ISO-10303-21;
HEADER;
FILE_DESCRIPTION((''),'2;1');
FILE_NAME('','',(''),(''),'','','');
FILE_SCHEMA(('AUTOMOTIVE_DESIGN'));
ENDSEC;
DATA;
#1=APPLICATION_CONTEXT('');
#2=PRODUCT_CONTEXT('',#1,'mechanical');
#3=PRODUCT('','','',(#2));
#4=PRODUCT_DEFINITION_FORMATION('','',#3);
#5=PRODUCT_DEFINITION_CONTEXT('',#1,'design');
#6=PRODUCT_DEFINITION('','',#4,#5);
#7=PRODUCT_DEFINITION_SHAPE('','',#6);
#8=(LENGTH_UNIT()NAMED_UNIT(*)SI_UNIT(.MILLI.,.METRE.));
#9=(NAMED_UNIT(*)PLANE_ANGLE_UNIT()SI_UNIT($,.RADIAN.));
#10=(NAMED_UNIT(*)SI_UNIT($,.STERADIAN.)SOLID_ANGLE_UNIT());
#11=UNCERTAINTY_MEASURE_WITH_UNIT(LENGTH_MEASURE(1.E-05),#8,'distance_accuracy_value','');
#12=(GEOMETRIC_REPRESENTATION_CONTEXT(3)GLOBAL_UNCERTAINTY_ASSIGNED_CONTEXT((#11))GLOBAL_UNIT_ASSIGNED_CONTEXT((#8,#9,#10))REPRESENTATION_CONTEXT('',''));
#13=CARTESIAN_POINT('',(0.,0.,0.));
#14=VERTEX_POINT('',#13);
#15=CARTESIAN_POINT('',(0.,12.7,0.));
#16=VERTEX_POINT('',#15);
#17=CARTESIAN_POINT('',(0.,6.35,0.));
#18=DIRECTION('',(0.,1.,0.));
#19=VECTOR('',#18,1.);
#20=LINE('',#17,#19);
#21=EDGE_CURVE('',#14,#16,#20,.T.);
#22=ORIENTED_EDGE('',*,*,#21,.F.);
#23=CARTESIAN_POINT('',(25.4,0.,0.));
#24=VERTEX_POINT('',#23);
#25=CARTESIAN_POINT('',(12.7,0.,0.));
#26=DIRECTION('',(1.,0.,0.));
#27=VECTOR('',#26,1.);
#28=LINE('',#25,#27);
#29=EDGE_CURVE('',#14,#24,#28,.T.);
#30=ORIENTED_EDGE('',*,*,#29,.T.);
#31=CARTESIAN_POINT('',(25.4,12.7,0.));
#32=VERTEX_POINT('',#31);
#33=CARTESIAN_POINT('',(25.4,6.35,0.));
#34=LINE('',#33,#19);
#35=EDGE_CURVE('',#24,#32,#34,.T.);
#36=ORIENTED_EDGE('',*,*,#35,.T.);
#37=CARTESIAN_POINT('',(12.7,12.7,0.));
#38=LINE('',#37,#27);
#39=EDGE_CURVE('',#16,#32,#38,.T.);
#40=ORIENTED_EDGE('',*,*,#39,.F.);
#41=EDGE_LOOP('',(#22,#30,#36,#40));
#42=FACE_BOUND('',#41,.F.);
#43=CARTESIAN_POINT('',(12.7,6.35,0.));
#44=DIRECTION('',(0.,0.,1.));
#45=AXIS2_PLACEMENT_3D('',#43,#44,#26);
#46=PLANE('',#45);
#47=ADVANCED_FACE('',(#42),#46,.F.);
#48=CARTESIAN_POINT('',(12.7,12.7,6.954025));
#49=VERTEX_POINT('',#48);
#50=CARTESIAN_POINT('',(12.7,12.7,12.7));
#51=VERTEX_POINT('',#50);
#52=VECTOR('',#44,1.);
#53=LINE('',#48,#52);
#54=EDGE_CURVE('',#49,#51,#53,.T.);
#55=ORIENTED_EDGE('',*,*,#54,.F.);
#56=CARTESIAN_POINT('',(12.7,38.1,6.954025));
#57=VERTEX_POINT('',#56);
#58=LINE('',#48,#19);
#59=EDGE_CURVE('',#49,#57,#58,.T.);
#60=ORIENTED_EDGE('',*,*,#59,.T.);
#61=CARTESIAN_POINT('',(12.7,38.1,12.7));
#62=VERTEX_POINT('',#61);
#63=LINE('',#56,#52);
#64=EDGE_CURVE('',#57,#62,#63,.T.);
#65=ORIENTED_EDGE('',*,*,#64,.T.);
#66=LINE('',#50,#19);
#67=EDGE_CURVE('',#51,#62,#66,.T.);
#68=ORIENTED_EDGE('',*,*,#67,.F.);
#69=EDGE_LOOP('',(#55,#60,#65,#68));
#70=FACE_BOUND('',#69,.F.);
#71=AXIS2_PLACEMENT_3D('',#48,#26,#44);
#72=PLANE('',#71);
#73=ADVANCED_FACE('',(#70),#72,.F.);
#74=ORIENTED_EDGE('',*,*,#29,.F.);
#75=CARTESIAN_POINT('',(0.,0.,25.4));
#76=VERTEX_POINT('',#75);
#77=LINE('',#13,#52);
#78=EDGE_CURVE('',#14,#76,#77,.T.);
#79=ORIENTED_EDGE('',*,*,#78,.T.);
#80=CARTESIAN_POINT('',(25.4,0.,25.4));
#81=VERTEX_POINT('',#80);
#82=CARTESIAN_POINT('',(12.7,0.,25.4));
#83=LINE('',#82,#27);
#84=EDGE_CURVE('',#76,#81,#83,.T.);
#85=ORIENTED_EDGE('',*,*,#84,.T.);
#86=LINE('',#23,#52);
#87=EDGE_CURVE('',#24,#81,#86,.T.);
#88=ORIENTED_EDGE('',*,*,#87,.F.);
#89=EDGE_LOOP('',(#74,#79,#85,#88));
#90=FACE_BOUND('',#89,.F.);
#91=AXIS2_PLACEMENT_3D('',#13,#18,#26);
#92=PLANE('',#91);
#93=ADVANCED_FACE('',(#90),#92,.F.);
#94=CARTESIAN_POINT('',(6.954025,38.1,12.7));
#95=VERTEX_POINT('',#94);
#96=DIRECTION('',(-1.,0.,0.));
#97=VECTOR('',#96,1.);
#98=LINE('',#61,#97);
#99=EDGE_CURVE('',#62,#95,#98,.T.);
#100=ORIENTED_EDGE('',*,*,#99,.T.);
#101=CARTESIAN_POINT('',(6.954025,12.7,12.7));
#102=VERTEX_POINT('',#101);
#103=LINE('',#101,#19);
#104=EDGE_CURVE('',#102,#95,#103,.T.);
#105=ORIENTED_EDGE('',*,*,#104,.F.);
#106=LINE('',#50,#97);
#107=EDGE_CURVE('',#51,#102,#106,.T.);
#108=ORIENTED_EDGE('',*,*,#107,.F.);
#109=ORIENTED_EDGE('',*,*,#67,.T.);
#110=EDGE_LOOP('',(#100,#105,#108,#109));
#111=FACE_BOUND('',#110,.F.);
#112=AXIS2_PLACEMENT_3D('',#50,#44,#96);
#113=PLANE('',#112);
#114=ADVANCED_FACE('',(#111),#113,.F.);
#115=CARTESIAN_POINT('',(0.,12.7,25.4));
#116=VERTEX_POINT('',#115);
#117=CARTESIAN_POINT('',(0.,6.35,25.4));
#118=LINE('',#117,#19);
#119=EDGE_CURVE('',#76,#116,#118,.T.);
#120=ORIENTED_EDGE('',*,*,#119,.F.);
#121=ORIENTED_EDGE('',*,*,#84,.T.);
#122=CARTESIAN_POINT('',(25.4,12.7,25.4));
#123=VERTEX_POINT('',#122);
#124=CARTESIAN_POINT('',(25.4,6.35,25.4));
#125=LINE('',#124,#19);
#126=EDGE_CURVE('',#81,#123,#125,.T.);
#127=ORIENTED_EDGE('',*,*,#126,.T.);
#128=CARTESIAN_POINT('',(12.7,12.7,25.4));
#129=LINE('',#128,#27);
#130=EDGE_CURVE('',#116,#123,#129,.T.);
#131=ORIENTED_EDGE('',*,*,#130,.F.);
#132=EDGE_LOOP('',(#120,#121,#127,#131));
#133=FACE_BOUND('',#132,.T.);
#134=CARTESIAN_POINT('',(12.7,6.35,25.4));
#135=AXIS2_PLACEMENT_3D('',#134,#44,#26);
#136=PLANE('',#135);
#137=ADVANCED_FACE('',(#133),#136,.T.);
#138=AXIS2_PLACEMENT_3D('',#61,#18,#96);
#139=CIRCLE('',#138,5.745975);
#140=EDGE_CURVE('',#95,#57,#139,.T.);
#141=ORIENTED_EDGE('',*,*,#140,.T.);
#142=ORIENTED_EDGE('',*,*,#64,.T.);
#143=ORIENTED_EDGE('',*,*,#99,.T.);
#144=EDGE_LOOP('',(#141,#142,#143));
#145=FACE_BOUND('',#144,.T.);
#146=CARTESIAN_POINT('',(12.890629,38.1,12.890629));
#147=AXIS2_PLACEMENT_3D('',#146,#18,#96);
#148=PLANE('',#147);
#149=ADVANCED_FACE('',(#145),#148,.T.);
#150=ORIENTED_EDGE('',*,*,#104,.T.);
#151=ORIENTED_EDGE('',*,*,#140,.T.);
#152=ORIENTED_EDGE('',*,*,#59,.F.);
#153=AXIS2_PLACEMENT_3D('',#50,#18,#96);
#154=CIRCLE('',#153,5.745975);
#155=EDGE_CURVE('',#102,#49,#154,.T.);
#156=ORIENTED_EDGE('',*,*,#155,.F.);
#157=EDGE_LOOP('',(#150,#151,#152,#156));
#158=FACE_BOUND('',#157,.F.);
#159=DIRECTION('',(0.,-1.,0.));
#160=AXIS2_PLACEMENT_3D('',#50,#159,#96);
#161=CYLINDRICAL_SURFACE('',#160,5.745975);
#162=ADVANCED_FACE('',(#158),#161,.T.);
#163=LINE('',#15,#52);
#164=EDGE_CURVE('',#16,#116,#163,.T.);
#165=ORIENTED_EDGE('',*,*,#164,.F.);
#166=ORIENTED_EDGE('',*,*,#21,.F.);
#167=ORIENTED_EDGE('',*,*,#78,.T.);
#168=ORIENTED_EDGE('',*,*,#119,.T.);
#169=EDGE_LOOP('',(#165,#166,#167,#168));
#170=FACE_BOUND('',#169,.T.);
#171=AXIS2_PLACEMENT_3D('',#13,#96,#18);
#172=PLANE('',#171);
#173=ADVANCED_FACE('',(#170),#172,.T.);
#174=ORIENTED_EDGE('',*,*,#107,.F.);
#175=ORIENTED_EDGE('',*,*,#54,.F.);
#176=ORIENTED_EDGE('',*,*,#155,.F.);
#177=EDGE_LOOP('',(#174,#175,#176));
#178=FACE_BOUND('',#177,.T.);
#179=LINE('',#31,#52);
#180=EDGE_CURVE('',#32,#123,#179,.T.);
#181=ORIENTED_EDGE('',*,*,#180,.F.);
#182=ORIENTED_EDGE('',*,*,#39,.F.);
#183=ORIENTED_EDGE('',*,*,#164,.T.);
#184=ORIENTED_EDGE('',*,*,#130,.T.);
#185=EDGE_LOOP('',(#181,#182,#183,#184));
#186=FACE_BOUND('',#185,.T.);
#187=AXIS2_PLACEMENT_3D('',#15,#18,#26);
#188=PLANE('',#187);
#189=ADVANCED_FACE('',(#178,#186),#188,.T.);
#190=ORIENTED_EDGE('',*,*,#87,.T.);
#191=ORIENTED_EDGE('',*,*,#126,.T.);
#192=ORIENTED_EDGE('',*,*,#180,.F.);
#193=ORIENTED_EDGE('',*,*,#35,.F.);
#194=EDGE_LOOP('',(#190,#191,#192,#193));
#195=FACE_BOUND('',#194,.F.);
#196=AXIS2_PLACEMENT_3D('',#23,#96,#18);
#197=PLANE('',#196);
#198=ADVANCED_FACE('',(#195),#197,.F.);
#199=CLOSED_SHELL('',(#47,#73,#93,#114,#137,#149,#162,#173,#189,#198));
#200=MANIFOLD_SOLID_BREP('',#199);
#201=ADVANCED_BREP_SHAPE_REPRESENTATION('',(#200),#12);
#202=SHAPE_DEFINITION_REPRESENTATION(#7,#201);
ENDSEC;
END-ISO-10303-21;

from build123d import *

# Parameters (mm, degrees)
F0_W     = 25.4
F0_H     = 12.7
F1_DEPTH = 25.4
F3_DEPTH = 25.4


with BuildPart() as f1:
    # F0 (on Top) → F1 (new body)
    with BuildSketch(Plane.XY):
        with Locations((12.7, 6.35)):
            Rectangle(F0_W, F0_H)
    extrude(amount=F1_DEPTH)

    # F2 (on face) → F3 (join)
    with BuildSketch(Plane(origin=(0, 12.7, 0), x_dir=(-1, 0, 0), z_dir=(0, 1, 0))):
        with BuildLine():
            Line((-12.7, 12.7), (-6.9540247637, 12.7))
            ThreePointArc((-6.9540247637, 12.7), (-16.7630180541, 16.7630180541), (-12.7, 6.9540247637))
            Line((-12.7, 6.9540247637), (-12.7, 12.7))
        make_face()
    extrude(amount=F3_DEPTH)


solid = f1.part
